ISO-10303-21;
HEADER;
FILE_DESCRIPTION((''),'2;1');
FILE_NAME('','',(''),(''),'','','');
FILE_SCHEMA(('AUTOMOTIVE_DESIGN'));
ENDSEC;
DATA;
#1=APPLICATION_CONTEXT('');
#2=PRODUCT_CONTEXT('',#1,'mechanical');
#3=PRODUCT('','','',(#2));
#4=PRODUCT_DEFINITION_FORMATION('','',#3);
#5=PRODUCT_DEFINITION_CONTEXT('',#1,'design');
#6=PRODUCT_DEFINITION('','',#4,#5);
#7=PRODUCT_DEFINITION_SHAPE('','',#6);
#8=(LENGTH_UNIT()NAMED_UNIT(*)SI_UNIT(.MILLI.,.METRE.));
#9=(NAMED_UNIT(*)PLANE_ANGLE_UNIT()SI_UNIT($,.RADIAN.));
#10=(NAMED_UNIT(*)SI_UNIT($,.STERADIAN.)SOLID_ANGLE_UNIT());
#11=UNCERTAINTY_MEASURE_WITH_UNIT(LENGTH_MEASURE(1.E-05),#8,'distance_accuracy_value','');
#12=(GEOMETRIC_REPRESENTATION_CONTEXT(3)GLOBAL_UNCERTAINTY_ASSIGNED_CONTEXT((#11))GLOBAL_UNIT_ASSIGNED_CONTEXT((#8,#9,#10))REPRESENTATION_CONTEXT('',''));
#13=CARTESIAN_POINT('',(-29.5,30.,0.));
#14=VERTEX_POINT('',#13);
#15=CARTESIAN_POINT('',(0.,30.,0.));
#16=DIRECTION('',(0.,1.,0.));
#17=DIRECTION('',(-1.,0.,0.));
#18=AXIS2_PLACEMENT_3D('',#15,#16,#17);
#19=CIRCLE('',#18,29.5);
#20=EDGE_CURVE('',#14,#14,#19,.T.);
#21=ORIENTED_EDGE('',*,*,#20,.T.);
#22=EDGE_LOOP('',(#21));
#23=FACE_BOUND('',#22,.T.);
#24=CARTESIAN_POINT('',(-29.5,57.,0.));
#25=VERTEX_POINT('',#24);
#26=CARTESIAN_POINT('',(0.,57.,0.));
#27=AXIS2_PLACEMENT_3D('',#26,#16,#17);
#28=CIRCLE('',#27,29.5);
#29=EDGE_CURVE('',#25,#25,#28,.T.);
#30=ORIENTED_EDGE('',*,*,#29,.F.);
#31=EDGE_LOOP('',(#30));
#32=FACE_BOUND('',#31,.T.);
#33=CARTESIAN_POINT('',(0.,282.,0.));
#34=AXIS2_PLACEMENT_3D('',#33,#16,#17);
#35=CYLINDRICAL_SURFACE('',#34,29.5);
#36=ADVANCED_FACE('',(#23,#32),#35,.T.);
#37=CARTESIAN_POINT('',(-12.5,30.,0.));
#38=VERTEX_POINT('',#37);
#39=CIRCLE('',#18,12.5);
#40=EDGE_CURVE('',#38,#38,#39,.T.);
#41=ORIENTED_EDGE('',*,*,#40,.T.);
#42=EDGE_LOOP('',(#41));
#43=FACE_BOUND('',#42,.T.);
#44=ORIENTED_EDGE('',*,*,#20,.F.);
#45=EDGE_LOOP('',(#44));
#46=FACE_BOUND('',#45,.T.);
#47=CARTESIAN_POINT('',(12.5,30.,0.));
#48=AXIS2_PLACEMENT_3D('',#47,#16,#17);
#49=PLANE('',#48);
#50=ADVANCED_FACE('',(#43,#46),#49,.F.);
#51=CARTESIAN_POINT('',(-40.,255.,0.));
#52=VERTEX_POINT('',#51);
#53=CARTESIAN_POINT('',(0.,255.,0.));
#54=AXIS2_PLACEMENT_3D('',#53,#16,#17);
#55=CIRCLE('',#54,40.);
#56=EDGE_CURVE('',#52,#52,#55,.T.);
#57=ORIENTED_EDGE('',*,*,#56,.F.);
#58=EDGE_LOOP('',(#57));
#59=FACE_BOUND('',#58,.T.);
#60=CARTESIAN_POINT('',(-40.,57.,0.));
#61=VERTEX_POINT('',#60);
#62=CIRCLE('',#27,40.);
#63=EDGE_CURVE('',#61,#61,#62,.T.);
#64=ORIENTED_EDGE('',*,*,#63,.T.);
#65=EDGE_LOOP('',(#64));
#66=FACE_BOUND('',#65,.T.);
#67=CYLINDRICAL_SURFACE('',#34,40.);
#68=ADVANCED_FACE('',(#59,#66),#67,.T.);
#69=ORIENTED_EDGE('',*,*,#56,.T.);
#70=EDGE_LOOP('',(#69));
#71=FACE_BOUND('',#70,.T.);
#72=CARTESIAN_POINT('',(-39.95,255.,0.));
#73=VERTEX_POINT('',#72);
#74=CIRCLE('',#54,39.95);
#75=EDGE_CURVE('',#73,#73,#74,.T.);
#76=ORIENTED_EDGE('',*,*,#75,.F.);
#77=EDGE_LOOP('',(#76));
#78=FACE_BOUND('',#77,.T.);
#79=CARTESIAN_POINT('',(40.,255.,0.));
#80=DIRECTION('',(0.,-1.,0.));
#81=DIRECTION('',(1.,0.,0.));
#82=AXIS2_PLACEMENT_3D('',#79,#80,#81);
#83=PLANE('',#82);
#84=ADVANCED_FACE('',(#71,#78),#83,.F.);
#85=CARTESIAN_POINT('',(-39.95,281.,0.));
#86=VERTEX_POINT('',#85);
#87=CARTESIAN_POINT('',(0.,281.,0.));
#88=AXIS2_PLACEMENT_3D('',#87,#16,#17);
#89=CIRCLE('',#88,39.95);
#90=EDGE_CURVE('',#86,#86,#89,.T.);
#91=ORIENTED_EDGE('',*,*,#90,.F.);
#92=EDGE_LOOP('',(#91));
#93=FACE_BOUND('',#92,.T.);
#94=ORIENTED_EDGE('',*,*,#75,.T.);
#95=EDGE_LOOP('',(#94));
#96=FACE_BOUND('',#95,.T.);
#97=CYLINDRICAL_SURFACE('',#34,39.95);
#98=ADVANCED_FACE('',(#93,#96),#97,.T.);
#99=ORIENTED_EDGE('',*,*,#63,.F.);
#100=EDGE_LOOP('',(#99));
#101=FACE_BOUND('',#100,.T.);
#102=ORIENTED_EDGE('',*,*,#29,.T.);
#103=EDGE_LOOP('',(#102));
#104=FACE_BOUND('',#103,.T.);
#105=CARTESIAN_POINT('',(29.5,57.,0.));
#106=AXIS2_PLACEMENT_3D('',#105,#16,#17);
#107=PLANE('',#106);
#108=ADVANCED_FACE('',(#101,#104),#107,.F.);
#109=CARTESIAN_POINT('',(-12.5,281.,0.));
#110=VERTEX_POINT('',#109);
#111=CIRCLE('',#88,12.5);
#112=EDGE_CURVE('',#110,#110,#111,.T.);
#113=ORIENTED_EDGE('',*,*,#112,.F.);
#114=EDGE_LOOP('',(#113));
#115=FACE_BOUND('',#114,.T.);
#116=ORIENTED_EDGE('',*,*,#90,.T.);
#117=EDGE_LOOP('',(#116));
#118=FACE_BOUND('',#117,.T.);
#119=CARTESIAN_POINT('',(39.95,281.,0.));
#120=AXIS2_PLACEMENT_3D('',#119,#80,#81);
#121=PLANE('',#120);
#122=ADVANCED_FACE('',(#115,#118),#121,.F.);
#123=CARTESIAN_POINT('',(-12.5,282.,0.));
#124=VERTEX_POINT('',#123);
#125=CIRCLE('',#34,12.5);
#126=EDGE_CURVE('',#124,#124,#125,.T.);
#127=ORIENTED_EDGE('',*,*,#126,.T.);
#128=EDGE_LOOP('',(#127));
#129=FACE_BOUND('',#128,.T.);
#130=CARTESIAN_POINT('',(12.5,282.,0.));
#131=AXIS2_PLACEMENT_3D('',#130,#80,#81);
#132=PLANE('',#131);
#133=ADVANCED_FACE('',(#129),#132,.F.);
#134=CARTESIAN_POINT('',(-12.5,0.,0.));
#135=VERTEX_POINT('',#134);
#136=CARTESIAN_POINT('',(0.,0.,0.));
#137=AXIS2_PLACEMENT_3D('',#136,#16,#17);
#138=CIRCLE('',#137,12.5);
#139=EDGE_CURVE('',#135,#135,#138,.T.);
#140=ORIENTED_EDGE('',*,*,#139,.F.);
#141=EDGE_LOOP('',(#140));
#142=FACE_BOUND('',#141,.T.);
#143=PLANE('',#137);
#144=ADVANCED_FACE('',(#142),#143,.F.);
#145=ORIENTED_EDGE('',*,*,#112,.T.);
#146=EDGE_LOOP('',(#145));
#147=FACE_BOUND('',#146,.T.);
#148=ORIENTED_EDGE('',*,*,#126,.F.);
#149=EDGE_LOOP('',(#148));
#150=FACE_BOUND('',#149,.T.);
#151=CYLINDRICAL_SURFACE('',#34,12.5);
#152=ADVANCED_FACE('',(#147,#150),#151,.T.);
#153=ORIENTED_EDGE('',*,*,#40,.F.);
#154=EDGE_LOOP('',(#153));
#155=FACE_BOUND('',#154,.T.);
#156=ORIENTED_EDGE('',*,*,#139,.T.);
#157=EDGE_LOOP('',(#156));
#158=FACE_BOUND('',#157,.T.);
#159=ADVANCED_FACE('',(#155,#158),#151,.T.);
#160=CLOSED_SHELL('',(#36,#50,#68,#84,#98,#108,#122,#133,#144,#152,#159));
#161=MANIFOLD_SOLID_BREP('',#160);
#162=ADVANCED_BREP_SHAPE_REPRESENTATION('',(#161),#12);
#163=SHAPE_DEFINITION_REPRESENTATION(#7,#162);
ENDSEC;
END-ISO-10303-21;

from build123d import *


with BuildPart() as part:
    # Esquisse2 → Révolution1 (revolve)
    with BuildSketch(Plane.XY, mode=Mode.PRIVATE) as r_volution1_sk:
        Polygon((0, 0), (12.5, 0), (12.5, 30), (29.5, 30), (29.5, 57), (40, 57), (40, 255), (39.95, 255), (39.95, 281), (12.5, 281), (12.5, 282), (0, 282), align=None)
    revolve(r_volution1_sk.sketch.rotate(Axis((0, 282, 0), (0, -1, 0)), 180), axis=Axis((0, 282, 0), (0, -1, 0)))


solid = part.part
